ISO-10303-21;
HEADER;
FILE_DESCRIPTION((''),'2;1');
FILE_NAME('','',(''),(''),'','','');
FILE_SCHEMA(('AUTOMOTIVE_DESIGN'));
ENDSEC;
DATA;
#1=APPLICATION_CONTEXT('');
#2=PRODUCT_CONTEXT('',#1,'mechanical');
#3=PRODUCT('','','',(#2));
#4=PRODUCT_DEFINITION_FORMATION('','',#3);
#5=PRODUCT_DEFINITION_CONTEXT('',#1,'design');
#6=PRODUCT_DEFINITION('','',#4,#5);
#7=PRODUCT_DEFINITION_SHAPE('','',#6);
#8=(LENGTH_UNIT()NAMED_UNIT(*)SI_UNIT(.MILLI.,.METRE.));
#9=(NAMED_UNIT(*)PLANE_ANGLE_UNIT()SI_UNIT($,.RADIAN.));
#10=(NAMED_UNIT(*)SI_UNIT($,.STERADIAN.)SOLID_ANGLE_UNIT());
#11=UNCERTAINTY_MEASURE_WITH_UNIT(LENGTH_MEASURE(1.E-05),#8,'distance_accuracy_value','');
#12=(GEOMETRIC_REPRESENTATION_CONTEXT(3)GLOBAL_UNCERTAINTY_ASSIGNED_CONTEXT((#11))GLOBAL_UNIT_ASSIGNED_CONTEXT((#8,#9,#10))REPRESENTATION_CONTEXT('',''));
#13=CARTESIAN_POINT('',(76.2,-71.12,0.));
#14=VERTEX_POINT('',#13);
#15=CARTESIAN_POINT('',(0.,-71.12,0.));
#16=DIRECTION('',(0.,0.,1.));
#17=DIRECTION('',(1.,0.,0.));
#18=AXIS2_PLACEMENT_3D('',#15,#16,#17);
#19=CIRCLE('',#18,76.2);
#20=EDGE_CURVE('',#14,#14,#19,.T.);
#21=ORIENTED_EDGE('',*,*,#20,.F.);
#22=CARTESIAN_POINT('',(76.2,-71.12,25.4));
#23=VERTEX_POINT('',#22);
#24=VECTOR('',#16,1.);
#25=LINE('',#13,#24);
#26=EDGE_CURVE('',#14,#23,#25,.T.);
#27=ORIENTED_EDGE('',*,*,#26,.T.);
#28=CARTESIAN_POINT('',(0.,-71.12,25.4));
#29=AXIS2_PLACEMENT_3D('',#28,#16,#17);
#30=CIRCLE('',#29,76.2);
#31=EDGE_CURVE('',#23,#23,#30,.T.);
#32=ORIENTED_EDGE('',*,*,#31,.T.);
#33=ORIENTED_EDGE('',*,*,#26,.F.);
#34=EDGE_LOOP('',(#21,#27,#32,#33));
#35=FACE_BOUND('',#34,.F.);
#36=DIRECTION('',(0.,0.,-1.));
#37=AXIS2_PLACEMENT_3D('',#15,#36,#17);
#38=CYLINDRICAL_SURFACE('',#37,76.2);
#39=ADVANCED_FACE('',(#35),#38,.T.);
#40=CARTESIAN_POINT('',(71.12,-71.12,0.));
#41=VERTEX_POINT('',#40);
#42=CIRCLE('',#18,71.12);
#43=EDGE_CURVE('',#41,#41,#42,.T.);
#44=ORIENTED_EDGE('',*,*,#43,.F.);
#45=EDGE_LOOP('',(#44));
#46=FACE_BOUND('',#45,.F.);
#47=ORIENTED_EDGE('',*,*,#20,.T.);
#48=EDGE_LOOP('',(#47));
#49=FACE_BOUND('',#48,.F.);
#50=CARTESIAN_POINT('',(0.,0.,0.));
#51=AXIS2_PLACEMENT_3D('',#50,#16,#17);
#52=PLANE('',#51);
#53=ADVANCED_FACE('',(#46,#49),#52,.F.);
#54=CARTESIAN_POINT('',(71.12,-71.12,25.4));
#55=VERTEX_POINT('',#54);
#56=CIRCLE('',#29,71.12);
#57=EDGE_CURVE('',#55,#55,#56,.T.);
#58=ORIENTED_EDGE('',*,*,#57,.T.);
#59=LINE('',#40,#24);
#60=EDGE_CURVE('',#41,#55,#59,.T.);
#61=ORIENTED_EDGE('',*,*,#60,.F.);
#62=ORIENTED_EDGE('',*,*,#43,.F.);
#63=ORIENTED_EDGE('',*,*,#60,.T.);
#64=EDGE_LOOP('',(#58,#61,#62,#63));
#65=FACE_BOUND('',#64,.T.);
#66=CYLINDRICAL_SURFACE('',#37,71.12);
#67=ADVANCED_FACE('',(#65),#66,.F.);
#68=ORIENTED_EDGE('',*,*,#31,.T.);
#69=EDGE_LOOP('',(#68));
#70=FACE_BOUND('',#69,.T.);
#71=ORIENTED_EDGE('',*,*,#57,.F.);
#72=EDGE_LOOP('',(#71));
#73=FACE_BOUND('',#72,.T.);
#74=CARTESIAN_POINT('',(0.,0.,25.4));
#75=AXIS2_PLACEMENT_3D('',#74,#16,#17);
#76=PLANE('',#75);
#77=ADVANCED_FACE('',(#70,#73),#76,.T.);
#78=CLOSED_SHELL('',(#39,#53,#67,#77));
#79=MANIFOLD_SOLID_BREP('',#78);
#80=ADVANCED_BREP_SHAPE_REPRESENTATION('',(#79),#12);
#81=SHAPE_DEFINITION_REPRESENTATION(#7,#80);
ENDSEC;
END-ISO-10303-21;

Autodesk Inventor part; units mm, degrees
ref_plane "YZ Plane" through (0, 0, 0) normal (1, 0, 0) x (0, 1, 0)
ref_plane "XZ Plane" through (0, 0, 0) normal (0, 1, 0) x (-1, 0, 0)
ref_plane "XY Plane" through (0, 0, 0) normal (0, 0, 1) x (1, 0, 0)
sketch "Sketch1" plane through (0, 0, 0) normal (0, 0, 1) x (1, 0, 0)
  circle A0 centre (0, -71.12) radius 12.7 construction
  circle A1 centre (0, -71.12) radius 76.2
  circle A2 centre (0, -71.12) radius 71.12 projected
  point P0 (0, 0)
  dimension "d0" = 152.4
extrude "Extrusion1" add sketch "Sketch1" along normal blind 25.4
properties part number "Tread" material "ABS Plastic"
